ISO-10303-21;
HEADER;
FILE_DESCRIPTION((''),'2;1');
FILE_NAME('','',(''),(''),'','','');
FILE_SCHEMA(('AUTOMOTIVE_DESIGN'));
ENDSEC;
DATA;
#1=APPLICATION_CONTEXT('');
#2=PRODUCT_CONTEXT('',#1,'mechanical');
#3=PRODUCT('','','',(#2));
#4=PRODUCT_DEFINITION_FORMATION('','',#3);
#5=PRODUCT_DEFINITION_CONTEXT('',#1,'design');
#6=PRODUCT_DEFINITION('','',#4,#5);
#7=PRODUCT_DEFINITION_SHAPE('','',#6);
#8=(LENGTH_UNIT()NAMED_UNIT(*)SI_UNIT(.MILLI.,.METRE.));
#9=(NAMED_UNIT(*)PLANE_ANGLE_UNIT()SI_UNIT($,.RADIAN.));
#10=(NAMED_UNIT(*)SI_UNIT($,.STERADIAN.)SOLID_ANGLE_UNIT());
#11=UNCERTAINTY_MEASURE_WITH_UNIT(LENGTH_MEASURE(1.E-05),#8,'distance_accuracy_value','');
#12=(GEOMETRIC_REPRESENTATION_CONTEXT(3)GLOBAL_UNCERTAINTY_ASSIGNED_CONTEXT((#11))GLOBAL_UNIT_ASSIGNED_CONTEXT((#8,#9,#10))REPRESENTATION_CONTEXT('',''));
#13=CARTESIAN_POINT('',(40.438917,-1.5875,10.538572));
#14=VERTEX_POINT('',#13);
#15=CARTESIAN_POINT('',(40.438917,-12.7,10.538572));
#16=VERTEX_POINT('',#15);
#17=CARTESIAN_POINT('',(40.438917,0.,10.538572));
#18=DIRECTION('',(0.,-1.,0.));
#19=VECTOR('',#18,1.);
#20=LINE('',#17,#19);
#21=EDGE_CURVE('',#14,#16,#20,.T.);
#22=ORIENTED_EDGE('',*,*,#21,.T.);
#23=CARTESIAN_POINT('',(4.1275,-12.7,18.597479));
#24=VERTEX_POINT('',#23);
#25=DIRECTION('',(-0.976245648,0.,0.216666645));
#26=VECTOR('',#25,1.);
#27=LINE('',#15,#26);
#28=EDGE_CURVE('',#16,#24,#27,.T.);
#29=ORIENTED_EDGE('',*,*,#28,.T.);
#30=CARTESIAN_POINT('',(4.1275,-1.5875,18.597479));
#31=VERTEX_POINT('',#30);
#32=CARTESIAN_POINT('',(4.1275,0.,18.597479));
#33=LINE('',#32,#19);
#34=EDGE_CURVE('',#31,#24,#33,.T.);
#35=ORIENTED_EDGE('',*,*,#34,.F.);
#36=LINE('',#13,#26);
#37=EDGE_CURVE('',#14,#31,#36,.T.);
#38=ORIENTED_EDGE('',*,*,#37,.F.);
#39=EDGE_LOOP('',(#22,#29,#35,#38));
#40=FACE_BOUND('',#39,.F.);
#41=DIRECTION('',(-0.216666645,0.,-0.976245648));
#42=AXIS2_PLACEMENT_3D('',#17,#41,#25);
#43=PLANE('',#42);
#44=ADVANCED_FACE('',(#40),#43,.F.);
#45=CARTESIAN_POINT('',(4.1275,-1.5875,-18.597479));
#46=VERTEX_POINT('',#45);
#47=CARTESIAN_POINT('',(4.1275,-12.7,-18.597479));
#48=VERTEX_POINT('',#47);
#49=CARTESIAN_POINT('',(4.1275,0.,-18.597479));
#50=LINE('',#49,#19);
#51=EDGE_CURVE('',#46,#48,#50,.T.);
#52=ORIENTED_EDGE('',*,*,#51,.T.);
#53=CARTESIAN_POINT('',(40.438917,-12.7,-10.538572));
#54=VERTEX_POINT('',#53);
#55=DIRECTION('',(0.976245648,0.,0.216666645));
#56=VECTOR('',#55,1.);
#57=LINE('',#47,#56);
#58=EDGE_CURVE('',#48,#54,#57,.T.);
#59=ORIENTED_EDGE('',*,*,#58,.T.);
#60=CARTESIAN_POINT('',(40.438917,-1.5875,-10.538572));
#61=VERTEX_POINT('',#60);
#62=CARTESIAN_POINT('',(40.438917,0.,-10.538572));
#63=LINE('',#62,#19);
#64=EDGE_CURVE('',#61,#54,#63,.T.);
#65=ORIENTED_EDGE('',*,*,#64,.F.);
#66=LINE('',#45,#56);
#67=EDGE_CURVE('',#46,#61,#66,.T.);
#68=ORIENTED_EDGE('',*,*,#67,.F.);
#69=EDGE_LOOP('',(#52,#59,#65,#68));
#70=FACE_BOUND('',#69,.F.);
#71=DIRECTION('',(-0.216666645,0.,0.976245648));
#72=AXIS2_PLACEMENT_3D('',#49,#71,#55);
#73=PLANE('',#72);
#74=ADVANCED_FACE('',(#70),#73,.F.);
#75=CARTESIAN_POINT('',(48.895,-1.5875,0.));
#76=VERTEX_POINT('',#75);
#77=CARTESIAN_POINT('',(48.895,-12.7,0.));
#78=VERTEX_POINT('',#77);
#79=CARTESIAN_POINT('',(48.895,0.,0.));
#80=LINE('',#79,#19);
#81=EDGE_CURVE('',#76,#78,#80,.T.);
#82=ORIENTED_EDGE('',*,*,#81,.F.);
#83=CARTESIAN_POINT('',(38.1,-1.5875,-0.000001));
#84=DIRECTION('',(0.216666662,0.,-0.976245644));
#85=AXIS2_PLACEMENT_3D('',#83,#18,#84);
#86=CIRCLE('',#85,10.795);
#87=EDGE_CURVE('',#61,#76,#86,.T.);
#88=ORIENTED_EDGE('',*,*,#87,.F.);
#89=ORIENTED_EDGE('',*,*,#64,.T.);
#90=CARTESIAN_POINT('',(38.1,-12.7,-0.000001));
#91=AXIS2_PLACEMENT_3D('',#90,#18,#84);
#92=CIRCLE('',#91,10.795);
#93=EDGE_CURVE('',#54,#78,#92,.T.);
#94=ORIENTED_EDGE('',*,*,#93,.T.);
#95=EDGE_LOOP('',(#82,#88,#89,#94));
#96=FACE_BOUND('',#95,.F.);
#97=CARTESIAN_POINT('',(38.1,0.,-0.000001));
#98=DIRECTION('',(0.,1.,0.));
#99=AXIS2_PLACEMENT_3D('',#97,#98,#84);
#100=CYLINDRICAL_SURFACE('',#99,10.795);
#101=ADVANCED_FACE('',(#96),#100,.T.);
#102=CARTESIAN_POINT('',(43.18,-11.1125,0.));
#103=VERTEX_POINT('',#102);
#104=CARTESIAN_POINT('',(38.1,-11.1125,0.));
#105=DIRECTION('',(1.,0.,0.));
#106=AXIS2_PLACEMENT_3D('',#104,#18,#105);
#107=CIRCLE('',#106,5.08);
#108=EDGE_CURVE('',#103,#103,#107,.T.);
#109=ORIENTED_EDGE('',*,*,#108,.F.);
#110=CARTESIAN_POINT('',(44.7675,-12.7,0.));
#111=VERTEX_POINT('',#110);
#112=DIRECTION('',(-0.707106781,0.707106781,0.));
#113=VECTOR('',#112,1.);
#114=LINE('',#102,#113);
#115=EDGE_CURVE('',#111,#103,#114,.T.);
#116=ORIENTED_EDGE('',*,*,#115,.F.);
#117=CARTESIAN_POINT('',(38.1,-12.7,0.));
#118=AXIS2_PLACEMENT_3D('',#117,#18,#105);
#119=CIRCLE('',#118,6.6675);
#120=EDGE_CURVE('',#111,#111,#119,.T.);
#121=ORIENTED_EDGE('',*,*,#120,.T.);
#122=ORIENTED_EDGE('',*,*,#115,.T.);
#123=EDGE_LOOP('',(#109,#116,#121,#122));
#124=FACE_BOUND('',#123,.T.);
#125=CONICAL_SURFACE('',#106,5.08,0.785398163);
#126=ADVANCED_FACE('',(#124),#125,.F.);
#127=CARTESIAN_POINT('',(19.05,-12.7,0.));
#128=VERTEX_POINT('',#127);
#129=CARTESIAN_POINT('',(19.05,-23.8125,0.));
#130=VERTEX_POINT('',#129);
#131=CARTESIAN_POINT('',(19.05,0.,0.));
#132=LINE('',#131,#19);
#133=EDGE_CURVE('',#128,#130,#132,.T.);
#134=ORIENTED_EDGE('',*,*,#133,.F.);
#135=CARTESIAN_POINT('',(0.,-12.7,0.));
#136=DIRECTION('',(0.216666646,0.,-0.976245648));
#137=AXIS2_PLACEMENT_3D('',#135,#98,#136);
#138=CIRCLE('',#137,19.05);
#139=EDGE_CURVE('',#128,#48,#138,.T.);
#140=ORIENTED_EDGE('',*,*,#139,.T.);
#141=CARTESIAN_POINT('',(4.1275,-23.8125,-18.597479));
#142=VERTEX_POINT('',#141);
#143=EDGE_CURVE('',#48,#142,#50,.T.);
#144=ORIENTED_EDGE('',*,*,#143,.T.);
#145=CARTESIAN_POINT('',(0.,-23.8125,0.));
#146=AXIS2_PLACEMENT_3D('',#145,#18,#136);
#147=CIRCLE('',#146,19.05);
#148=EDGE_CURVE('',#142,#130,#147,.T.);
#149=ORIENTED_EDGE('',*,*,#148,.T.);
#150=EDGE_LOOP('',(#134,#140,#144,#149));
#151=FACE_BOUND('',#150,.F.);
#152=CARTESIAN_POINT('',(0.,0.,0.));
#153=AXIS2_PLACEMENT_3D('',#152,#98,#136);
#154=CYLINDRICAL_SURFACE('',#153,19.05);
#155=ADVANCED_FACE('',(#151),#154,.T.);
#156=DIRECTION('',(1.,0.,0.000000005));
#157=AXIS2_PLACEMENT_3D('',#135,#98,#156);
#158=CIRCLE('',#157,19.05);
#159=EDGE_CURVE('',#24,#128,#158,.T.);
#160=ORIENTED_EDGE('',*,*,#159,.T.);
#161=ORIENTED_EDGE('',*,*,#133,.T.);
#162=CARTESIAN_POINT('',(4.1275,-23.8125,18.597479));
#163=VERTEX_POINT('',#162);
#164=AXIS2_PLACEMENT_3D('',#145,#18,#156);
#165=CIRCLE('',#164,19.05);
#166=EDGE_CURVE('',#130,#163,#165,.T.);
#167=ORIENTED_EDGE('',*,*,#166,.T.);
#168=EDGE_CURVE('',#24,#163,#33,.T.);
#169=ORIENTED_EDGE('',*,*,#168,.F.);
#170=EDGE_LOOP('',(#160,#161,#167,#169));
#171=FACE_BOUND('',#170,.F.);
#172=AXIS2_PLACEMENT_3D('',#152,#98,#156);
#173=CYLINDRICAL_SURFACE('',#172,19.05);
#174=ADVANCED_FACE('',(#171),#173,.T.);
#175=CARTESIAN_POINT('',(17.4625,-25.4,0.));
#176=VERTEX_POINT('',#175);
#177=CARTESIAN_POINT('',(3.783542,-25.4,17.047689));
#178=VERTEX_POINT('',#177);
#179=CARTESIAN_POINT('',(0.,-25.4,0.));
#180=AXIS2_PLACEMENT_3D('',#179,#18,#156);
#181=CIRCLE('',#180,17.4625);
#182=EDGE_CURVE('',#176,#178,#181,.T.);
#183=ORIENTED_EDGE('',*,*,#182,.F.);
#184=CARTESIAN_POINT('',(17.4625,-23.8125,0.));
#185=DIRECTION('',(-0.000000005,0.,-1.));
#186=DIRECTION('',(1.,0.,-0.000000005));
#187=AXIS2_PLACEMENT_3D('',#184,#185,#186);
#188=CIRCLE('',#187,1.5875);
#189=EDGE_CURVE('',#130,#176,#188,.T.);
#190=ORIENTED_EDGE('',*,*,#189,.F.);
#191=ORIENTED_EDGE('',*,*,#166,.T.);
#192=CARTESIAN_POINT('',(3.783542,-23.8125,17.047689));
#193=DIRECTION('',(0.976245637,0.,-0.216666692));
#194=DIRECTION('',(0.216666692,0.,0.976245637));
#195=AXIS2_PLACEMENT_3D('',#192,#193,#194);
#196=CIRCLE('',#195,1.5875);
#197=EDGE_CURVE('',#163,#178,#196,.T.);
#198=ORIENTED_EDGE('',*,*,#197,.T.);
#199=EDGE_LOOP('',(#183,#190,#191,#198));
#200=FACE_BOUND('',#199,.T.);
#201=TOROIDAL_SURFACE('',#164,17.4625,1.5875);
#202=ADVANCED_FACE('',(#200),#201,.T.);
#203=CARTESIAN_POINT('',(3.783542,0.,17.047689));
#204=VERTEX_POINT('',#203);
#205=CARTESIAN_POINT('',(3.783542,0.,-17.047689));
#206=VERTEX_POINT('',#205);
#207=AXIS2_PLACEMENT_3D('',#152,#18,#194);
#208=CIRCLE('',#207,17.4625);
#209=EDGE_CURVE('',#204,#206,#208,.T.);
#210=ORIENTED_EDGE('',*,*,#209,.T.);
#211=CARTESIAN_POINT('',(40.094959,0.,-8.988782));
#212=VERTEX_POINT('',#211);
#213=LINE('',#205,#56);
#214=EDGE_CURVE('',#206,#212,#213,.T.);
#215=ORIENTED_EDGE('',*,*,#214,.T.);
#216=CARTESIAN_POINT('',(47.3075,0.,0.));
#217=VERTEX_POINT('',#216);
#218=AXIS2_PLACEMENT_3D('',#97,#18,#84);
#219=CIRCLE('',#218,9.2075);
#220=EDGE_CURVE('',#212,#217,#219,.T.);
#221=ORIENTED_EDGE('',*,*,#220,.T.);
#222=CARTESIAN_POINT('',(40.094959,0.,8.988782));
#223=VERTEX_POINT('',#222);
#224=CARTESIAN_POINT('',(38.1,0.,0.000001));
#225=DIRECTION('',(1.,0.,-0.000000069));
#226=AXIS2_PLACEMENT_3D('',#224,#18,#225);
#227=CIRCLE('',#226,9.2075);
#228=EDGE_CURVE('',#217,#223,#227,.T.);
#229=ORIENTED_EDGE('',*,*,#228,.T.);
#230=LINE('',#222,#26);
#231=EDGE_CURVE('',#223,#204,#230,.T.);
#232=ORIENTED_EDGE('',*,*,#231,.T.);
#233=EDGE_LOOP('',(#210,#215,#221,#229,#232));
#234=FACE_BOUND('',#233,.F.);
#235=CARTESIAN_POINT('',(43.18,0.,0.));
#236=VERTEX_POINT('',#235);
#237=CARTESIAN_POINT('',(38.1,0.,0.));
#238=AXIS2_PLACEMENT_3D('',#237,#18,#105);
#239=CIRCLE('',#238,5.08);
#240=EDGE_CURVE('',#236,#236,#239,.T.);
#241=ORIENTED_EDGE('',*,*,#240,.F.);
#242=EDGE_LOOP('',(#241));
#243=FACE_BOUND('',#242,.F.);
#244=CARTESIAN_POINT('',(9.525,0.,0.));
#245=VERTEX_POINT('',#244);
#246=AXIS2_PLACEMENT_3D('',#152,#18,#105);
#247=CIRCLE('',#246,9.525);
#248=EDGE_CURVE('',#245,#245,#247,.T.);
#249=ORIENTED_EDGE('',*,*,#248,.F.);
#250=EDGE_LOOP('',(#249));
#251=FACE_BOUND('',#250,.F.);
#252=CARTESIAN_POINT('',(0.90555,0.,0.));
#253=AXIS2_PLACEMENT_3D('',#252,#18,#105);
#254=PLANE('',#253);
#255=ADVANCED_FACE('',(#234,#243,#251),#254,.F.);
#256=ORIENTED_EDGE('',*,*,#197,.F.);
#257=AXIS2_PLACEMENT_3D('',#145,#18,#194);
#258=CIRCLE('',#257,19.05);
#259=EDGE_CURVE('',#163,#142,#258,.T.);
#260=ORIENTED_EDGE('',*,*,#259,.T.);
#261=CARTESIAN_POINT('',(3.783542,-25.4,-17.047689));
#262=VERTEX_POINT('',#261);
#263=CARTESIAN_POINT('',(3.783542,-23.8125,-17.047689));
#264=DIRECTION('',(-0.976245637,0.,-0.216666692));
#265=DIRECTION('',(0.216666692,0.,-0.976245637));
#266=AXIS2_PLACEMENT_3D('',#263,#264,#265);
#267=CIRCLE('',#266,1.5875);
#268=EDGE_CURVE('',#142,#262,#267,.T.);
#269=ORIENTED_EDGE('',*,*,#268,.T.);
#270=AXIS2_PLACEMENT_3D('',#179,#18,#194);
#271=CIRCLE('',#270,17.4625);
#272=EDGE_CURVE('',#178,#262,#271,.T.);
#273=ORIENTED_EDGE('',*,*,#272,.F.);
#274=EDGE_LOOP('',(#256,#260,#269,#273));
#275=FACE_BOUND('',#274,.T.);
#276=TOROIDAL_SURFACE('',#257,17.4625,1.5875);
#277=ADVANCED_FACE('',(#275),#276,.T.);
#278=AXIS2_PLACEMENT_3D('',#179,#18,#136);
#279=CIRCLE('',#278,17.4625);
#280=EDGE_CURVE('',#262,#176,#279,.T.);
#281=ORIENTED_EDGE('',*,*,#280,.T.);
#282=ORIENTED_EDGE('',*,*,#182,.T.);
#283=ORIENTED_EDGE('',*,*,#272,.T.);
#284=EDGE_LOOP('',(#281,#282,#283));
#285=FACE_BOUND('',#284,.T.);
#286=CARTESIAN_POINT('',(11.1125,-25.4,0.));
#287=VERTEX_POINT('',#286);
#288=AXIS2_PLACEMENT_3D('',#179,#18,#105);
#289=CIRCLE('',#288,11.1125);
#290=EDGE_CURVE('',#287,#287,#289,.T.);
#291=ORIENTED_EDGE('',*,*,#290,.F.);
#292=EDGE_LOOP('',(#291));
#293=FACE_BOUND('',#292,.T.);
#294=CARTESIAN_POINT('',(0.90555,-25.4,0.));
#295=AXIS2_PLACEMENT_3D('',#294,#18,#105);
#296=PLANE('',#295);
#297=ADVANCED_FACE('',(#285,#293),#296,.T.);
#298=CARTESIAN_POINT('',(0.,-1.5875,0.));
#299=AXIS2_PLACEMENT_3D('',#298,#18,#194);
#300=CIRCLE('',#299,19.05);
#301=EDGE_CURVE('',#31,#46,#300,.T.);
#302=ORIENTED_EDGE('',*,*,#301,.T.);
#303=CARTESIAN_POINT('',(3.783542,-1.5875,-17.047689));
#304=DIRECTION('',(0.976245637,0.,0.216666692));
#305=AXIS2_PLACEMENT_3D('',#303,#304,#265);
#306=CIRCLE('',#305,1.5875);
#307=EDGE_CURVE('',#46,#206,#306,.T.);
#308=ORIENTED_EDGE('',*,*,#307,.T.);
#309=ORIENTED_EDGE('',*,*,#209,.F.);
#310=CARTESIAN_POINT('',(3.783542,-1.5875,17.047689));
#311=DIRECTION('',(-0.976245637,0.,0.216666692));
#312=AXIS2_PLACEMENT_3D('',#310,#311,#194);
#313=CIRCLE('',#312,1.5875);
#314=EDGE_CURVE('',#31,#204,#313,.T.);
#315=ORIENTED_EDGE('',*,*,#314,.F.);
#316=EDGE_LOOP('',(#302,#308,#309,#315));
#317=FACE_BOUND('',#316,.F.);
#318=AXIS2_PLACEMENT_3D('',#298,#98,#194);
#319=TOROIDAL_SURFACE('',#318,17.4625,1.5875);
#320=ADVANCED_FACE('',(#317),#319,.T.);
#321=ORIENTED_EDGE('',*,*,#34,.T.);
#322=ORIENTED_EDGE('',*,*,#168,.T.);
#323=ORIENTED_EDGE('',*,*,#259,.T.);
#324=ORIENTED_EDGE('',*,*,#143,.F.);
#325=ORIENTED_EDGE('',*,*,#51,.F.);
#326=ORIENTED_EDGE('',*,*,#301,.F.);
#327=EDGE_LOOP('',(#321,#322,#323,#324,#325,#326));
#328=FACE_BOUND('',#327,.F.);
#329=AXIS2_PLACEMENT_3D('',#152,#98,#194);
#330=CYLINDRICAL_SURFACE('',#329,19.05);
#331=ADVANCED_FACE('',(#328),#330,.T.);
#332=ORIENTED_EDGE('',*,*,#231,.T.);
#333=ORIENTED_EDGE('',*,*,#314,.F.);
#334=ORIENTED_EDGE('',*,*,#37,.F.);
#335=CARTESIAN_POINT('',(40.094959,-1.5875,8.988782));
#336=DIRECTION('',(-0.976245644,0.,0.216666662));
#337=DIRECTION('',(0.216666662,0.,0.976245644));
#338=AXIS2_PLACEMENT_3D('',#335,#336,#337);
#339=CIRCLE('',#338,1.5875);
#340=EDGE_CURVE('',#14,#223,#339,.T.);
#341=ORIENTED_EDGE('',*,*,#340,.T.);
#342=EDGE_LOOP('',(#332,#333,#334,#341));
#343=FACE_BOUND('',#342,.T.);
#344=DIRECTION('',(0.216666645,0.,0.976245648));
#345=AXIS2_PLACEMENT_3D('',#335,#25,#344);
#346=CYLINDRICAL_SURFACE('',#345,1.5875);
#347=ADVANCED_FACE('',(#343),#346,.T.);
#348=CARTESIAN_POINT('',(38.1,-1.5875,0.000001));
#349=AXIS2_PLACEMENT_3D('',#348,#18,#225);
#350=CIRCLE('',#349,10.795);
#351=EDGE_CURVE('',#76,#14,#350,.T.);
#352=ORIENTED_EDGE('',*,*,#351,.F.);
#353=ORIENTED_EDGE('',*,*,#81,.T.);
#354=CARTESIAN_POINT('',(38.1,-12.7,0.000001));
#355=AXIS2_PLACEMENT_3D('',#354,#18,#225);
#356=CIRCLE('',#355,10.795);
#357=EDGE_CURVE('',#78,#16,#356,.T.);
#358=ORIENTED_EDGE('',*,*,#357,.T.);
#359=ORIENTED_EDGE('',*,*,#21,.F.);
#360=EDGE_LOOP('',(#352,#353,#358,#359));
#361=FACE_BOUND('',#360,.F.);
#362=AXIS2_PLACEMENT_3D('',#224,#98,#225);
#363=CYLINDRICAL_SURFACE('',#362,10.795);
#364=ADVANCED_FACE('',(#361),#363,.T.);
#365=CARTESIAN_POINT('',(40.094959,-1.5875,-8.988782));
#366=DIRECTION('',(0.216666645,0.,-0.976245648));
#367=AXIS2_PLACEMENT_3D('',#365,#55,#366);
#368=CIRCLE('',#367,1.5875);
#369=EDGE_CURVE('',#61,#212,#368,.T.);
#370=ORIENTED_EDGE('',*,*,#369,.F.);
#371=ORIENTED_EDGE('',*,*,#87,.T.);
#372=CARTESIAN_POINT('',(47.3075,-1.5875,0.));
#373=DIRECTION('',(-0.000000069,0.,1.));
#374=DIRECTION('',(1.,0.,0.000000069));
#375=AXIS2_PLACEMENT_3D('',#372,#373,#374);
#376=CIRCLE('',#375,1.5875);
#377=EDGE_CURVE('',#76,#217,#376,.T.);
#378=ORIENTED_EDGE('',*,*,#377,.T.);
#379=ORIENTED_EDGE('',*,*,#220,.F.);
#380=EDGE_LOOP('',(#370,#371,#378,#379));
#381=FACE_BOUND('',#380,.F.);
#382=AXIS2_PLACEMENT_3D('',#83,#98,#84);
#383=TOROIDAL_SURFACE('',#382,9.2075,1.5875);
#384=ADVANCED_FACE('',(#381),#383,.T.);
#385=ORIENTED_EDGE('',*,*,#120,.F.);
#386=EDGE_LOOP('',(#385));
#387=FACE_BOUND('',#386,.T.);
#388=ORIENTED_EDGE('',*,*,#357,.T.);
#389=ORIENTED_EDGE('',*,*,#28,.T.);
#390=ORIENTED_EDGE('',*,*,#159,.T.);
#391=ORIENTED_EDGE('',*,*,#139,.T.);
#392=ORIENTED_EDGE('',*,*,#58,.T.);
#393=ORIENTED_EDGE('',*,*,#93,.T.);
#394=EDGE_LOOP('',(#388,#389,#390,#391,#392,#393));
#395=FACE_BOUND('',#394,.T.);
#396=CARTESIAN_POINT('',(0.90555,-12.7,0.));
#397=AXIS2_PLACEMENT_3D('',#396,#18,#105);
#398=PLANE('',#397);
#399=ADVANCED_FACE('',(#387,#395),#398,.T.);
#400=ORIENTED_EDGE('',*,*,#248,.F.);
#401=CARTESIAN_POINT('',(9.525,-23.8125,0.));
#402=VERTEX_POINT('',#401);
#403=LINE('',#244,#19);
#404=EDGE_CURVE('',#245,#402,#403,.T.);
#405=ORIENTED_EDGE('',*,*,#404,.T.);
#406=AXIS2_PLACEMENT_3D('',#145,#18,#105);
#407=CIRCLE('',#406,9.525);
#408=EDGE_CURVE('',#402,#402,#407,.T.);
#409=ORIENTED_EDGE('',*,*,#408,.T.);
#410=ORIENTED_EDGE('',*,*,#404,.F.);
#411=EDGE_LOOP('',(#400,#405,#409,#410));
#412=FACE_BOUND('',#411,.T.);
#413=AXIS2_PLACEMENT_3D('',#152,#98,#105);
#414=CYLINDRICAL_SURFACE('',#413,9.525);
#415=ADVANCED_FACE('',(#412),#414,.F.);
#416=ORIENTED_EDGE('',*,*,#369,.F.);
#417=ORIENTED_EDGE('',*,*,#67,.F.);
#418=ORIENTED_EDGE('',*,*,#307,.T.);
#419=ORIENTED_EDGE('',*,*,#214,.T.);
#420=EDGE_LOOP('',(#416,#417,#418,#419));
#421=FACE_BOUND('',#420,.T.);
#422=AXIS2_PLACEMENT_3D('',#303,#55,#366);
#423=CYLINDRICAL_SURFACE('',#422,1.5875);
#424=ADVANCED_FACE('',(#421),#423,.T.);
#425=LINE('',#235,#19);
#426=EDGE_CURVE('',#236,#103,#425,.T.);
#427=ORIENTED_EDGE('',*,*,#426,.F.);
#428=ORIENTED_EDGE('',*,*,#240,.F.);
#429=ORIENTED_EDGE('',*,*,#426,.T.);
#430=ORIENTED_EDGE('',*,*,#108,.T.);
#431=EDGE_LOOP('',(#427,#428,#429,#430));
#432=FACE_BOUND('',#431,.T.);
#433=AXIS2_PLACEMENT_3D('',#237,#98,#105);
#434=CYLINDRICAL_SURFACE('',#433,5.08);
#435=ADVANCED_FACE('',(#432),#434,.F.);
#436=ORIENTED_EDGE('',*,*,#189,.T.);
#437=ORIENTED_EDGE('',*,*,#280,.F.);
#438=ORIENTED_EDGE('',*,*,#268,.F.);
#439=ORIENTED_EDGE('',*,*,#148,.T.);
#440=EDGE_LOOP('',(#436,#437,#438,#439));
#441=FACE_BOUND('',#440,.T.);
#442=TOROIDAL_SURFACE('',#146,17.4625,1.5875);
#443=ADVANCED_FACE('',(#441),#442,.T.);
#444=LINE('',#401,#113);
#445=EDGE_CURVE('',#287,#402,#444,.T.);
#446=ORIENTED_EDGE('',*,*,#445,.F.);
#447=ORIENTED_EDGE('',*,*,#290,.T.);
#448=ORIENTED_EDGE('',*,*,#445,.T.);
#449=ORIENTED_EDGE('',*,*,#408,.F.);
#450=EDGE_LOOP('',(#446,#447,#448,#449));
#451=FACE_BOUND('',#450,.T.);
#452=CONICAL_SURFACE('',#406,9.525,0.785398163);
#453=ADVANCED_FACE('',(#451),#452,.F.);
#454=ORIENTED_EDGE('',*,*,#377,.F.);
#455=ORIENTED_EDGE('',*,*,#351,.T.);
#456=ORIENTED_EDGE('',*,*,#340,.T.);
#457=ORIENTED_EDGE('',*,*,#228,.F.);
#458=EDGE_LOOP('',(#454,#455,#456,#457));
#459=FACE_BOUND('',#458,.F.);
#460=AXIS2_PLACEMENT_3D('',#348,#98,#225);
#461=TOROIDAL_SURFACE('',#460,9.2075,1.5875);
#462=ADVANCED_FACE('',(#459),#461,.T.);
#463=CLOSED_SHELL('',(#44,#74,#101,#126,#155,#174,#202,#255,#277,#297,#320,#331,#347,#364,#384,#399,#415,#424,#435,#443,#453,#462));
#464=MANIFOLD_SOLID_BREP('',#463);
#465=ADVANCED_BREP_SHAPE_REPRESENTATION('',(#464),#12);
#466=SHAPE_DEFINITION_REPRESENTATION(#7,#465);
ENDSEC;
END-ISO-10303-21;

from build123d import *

# Parameters (mm, degrees)
F0_R     = 9.525
F0_R_2   = 5.08
F1_DEPTH = 12.7
F2_DEPTH = 25.4
F3_R     = 1.5875
F4_SIZE  = 1.5875


with BuildPart() as f1:
    # F0 (on Front) → F1 (new body)
    with BuildSketch(Plane.XZ):
        with BuildLine():
            ThreePointArc((4.1275, -18.597479), (14.858186, -11.922114), (19.05, 0))
            ThreePointArc((19.05, 0), (14.858186, 11.922114), (4.1275, 18.597479))
            ThreePointArc((4.1275, 18.597479), (-19.05, 0), (4.1275, -18.597479))
        make_face()
        Circle(F0_R, mode=Mode.SUBTRACT)
        with BuildLine():
            ThreePointArc((4.1275, 18.597479), (14.858186, 11.922114), (19.05, 0))
            ThreePointArc((19.05, 0), (14.858186, -11.922114), (4.1275, -18.597479))
            Line((4.1275, -18.597479), (40.438917, -10.538572))
            ThreePointArc((40.438917, -10.538572), (27.305, 0), (40.438917, 10.538572))
            Line((40.438917, 10.538572), (4.1275, 18.597479))
        make_face()
        with BuildLine():
            ThreePointArc((48.895, 0), (46.519639, 6.755865), (40.438917, 10.538572))
            ThreePointArc((40.438917, 10.538572), (27.305, 0), (40.438917, -10.538572))
            ThreePointArc((40.438917, -10.538572), (46.519639, -6.755865), (48.895, 0))
        make_face()
        with Locations((38.1, 0)):
            Circle(F0_R_2, mode=Mode.SUBTRACT)
    extrude(amount=F1_DEPTH)

    # F0 (on Front) → F2 (join)
    with BuildSketch(Plane.XZ):
        with BuildLine():
            ThreePointArc((4.1275, -18.597479), (14.858186, -11.922114), (19.05, 0))
            ThreePointArc((19.05, 0), (14.858186, 11.922114), (4.1275, 18.597479))
            ThreePointArc((4.1275, 18.597479), (-19.05, 0), (4.1275, -18.597479))
        make_face()
        Circle(F0_R, mode=Mode.SUBTRACT)
    extrude(amount=F2_DEPTH)

    # F3
    f3_edges = [f1.edges().sort_by_distance(p)[0] for p in [
        (-4.1275, -25.4, 18.597479),
        (-19.05, 0, 0),
        (22.283208, 0, 14.568026),
        (48.895, 0, 0),
        (22.283208, 0, -14.568026),
    ]]
    fillet(f3_edges, radius=F3_R)

    # F4
    f4_edges = [f1.edges().sort_by_distance(p)[0] for p in [
        (-9.525, -25.4, 0),
        (33.02, -12.7, 0),
    ]]
    chamfer(f4_edges, length=F4_SIZE)


solid = f1.part
